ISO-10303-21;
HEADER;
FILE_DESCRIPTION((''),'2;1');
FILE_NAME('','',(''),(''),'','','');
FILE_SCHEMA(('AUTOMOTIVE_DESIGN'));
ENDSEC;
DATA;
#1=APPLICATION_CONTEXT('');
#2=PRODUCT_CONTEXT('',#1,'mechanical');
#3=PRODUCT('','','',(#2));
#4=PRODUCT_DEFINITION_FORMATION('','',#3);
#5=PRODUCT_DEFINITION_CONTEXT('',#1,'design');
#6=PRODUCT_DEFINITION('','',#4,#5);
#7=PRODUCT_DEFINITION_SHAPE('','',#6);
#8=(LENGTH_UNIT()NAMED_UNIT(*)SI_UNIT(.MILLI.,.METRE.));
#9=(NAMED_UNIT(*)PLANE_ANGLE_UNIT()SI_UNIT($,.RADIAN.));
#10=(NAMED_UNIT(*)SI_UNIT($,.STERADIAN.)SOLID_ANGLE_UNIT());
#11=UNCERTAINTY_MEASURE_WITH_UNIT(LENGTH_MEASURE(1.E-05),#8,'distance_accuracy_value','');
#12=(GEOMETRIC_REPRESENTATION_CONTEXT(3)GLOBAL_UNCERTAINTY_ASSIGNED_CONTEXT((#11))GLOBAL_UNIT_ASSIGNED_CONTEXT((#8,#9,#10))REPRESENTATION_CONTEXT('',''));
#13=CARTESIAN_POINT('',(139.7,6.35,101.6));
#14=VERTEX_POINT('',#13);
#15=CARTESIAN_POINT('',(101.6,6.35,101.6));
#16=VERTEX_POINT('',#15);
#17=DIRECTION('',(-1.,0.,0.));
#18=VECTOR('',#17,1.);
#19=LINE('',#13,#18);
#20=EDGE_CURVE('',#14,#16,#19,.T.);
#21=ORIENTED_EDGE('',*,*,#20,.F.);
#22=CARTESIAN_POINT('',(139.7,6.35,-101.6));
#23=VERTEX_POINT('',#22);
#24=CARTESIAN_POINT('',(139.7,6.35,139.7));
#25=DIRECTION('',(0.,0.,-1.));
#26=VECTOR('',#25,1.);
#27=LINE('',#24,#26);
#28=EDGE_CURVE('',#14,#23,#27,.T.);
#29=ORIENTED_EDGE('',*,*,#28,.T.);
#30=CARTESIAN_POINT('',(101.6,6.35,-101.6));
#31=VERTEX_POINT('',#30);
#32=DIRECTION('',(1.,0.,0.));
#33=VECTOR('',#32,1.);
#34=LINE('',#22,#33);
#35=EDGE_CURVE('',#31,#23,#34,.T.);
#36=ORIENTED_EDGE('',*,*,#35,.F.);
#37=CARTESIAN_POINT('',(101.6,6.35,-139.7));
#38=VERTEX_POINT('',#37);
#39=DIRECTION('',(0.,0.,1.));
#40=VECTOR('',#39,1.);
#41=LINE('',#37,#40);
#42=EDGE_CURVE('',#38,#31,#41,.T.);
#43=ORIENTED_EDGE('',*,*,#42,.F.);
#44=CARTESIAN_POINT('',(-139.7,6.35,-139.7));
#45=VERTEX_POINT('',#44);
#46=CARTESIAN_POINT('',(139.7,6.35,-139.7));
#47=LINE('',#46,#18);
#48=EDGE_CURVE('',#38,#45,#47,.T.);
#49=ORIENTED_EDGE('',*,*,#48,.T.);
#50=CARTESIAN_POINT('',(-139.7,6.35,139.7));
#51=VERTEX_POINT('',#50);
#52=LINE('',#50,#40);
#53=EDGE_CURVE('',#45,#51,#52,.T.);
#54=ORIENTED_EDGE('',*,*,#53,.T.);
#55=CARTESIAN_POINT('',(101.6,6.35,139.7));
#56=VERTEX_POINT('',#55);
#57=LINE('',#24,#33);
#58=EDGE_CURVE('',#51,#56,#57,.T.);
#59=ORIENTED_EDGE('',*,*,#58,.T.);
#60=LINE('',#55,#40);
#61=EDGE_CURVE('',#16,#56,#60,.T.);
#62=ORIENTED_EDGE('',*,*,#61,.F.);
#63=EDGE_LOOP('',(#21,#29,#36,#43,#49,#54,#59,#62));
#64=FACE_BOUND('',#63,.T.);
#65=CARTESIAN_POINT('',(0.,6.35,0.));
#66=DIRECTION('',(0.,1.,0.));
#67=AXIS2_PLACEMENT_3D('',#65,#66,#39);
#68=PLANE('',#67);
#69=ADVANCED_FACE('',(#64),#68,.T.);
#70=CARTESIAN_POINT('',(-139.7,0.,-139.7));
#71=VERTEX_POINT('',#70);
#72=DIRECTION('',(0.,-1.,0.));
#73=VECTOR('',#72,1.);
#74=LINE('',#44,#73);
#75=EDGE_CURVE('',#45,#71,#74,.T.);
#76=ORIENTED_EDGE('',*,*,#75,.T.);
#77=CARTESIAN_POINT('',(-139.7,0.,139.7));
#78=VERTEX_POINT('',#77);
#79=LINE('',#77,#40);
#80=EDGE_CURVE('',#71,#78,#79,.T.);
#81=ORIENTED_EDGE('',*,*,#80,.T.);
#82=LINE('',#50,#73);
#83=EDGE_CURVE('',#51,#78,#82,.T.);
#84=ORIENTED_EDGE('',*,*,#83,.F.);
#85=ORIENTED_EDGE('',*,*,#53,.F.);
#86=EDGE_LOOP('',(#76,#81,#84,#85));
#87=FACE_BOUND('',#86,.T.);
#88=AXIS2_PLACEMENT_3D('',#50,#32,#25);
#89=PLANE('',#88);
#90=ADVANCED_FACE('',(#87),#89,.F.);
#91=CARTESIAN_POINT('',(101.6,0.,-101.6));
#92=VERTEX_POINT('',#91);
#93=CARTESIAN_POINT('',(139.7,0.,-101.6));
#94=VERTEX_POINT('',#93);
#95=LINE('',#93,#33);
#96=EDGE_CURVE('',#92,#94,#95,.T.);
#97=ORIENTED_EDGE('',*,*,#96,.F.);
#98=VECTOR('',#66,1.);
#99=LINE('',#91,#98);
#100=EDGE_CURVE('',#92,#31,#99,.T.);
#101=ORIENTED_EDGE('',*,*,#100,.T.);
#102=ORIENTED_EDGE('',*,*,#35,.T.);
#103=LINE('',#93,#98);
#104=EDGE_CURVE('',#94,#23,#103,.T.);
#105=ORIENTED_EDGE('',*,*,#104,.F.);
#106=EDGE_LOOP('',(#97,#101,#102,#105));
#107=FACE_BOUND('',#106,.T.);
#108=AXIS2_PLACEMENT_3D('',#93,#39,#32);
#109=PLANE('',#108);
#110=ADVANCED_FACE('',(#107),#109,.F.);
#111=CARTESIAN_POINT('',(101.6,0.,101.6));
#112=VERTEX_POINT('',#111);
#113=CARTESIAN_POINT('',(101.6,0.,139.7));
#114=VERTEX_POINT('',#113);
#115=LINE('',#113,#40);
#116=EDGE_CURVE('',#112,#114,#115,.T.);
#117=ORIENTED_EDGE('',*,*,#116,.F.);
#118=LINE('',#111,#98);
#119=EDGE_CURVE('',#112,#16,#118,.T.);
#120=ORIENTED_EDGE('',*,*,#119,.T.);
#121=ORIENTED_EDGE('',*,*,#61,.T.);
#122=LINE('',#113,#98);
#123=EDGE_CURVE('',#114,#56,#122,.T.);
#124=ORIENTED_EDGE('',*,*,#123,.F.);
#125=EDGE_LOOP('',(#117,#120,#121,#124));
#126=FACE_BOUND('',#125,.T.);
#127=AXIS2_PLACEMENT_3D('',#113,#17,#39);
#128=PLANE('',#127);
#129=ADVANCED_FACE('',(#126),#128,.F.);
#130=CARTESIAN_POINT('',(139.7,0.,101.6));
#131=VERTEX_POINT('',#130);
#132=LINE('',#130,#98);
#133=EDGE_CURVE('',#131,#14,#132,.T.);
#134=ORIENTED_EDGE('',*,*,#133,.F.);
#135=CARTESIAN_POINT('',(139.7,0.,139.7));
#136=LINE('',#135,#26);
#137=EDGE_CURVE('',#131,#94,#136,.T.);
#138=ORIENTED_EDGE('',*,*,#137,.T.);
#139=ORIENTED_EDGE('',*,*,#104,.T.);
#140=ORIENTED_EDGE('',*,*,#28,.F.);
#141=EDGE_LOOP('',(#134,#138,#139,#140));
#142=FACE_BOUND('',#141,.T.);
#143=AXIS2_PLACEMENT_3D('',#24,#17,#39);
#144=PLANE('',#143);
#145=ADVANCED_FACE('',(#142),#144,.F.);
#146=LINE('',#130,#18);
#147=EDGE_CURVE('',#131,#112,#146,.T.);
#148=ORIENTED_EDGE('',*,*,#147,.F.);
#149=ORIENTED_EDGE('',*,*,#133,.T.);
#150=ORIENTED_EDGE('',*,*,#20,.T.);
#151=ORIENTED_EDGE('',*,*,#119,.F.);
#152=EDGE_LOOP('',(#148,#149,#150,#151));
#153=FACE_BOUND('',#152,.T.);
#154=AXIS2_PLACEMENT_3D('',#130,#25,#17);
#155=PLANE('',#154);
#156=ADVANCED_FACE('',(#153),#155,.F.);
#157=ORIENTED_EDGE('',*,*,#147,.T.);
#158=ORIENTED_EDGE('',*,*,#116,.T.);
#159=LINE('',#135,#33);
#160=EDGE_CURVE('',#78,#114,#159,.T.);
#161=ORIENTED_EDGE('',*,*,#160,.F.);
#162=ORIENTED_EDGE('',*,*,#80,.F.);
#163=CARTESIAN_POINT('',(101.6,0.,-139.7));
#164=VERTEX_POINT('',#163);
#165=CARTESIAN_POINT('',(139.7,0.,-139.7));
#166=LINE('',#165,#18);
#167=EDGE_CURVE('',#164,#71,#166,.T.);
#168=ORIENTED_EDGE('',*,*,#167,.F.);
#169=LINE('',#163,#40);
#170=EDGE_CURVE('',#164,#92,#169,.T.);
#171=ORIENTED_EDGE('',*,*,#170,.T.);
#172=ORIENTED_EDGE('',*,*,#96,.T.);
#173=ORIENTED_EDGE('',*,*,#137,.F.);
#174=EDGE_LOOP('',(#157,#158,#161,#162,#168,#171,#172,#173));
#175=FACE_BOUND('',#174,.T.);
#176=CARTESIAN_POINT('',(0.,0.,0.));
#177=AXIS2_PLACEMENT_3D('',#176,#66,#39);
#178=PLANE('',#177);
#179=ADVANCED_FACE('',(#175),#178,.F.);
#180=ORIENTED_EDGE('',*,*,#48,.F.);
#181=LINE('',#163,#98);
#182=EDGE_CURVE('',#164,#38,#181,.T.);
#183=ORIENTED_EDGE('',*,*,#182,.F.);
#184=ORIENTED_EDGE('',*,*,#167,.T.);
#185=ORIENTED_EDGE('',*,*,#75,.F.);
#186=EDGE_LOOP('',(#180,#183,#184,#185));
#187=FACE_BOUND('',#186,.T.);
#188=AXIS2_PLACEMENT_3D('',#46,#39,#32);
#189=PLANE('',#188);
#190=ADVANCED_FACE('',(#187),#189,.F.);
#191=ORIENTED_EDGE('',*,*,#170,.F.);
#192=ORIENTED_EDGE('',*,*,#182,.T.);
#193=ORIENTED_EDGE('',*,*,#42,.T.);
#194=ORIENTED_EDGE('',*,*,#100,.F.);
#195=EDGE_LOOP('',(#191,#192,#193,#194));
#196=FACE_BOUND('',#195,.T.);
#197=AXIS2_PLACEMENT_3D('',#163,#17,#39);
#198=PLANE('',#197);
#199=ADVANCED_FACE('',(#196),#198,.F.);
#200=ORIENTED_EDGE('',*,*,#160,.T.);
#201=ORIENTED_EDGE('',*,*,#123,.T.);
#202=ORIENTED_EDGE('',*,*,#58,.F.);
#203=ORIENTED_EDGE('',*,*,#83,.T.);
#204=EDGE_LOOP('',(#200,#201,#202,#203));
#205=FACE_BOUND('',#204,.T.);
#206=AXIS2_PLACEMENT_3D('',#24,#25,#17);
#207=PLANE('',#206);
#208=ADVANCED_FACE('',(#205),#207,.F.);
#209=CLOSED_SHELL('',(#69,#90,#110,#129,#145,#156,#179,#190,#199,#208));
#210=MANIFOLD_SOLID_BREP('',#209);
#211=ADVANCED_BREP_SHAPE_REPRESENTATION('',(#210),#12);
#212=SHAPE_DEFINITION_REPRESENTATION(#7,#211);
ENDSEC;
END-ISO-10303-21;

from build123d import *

# Parameters (mm, degrees)
CROQUIS1_W              = 279.4
CROQUIS1_H              = 279.4
SALIENTE_EXTRUIR1_DEPTH = 6.35
CROQUIS3_W              = 38.1
CROQUIS3_H              = 38.1
CORTAR_EXTRUIR1_DEPTH   = 7.35


with BuildPart() as part:
    # Croquis1 → Saliente-Extruir1 (new body)
    with BuildSketch(Plane(origin=(0, 0, 0), x_dir=(1, 0, 0), z_dir=(0, 1, 0))):
        Rectangle(CROQUIS1_W, CROQUIS1_H)
    extrude(amount=SALIENTE_EXTRUIR1_DEPTH)

    # Croquis3 → Cortar-Extruir1 (cut, through all)
    with BuildSketch(Plane(origin=(0, 6.35, 0), x_dir=(1, 0, 0), z_dir=(0, 1, 0))):
        with Locations((120.65, -120.65)):
            Rectangle(CROQUIS3_W, CROQUIS3_H)
        with Locations((120.65, 120.65)):
            Rectangle(CROQUIS3_W, CROQUIS3_H)
    extrude(amount=-CORTAR_EXTRUIR1_DEPTH, mode=Mode.SUBTRACT)


solid = part.part
